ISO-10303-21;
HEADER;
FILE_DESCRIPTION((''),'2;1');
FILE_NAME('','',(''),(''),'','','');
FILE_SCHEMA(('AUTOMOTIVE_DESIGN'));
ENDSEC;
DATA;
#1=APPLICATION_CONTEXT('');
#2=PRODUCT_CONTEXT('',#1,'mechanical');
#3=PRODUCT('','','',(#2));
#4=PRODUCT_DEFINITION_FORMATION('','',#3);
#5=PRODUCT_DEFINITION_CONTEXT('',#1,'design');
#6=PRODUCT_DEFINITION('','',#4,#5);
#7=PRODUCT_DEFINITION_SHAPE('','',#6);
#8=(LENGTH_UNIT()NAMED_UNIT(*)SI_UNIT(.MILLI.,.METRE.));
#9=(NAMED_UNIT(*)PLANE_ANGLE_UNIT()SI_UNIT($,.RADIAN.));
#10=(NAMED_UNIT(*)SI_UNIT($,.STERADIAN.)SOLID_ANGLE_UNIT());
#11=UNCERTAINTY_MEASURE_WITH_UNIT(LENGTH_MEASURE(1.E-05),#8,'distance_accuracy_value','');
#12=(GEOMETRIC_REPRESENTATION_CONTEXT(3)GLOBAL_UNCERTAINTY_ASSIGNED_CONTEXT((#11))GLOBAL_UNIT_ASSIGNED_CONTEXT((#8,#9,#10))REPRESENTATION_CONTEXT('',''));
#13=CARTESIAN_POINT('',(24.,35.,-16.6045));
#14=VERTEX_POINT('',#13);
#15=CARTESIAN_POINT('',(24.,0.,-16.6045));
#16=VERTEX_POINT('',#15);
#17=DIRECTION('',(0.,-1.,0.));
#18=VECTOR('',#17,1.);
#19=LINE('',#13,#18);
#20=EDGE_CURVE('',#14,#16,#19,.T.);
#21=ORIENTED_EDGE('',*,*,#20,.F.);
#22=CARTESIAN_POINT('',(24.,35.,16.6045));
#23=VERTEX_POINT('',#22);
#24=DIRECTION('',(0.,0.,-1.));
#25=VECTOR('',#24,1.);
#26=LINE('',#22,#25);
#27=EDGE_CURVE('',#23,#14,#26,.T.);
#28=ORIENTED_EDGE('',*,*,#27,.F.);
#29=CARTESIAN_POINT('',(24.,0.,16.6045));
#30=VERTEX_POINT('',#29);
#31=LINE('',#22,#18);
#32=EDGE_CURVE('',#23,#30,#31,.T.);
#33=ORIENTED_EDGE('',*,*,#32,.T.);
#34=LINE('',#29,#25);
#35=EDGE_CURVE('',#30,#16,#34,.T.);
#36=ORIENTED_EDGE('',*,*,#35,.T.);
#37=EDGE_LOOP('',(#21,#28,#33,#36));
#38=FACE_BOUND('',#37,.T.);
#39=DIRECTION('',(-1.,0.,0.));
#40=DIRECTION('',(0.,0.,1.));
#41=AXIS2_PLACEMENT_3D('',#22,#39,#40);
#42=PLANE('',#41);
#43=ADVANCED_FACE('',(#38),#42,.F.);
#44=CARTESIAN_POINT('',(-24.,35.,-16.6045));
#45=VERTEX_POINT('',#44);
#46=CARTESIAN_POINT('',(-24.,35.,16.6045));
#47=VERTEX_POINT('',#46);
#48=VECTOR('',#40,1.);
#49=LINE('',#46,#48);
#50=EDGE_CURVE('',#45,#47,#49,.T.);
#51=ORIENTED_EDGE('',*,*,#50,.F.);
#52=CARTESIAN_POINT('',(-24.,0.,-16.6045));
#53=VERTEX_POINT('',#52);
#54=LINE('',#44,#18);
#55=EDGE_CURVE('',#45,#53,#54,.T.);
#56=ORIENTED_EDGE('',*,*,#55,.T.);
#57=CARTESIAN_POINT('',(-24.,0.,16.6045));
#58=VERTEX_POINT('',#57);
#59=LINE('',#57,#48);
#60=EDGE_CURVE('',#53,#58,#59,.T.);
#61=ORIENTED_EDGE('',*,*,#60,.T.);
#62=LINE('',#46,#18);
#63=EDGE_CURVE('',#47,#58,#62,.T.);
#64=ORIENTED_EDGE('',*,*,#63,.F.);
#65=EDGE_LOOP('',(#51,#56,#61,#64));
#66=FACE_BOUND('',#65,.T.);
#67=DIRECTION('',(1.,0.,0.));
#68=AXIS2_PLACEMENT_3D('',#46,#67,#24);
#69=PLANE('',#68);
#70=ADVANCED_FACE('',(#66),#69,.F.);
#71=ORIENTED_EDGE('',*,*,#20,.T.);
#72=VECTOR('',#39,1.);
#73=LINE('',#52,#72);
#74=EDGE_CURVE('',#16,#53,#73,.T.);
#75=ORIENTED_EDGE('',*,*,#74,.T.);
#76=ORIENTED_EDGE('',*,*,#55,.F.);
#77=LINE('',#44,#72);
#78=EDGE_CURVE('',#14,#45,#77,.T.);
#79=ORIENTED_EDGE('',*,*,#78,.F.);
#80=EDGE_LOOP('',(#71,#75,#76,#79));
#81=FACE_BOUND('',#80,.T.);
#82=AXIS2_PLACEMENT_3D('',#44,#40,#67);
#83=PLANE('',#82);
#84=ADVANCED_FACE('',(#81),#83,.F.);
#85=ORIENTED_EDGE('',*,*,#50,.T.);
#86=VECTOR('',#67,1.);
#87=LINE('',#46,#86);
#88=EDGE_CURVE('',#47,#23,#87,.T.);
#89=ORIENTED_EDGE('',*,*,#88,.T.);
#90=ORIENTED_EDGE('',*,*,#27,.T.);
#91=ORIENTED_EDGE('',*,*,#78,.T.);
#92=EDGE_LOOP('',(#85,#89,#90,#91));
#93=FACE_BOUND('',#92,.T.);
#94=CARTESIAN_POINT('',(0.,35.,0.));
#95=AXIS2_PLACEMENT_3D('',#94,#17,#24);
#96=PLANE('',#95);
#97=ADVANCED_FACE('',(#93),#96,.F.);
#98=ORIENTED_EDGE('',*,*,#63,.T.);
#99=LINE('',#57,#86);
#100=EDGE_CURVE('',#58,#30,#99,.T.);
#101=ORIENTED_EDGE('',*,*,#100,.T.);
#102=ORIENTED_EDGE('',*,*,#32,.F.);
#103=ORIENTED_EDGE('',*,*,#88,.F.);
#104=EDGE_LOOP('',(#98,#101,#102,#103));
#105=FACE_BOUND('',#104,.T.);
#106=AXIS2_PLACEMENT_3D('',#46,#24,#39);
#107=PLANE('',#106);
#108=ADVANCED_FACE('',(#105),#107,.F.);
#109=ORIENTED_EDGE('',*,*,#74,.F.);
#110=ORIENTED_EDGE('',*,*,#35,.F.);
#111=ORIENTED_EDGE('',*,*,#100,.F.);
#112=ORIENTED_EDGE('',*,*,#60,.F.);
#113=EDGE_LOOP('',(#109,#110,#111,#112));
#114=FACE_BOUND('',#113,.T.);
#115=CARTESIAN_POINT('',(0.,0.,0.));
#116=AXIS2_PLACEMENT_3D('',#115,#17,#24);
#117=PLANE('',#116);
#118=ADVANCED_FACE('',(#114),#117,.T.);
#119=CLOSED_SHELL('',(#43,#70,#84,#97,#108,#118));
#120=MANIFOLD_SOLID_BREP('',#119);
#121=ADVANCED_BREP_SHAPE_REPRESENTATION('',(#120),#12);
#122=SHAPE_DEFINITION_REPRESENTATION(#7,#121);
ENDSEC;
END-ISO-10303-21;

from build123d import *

# Parameters (mm, degrees)
SKETCH1_W           = 48
SKETCH1_H           = 33.209
BOSS_EXTRUDE1_DEPTH = 35


with BuildPart() as part:
    # Sketch1 → Boss-Extrude1 (new body)
    with BuildSketch(Plane(origin=(0, 0, 0), x_dir=(1, 0, 0), z_dir=(0, 1, 0))):
        Rectangle(SKETCH1_W, SKETCH1_H)
    extrude(amount=BOSS_EXTRUDE1_DEPTH)


solid = part.part
